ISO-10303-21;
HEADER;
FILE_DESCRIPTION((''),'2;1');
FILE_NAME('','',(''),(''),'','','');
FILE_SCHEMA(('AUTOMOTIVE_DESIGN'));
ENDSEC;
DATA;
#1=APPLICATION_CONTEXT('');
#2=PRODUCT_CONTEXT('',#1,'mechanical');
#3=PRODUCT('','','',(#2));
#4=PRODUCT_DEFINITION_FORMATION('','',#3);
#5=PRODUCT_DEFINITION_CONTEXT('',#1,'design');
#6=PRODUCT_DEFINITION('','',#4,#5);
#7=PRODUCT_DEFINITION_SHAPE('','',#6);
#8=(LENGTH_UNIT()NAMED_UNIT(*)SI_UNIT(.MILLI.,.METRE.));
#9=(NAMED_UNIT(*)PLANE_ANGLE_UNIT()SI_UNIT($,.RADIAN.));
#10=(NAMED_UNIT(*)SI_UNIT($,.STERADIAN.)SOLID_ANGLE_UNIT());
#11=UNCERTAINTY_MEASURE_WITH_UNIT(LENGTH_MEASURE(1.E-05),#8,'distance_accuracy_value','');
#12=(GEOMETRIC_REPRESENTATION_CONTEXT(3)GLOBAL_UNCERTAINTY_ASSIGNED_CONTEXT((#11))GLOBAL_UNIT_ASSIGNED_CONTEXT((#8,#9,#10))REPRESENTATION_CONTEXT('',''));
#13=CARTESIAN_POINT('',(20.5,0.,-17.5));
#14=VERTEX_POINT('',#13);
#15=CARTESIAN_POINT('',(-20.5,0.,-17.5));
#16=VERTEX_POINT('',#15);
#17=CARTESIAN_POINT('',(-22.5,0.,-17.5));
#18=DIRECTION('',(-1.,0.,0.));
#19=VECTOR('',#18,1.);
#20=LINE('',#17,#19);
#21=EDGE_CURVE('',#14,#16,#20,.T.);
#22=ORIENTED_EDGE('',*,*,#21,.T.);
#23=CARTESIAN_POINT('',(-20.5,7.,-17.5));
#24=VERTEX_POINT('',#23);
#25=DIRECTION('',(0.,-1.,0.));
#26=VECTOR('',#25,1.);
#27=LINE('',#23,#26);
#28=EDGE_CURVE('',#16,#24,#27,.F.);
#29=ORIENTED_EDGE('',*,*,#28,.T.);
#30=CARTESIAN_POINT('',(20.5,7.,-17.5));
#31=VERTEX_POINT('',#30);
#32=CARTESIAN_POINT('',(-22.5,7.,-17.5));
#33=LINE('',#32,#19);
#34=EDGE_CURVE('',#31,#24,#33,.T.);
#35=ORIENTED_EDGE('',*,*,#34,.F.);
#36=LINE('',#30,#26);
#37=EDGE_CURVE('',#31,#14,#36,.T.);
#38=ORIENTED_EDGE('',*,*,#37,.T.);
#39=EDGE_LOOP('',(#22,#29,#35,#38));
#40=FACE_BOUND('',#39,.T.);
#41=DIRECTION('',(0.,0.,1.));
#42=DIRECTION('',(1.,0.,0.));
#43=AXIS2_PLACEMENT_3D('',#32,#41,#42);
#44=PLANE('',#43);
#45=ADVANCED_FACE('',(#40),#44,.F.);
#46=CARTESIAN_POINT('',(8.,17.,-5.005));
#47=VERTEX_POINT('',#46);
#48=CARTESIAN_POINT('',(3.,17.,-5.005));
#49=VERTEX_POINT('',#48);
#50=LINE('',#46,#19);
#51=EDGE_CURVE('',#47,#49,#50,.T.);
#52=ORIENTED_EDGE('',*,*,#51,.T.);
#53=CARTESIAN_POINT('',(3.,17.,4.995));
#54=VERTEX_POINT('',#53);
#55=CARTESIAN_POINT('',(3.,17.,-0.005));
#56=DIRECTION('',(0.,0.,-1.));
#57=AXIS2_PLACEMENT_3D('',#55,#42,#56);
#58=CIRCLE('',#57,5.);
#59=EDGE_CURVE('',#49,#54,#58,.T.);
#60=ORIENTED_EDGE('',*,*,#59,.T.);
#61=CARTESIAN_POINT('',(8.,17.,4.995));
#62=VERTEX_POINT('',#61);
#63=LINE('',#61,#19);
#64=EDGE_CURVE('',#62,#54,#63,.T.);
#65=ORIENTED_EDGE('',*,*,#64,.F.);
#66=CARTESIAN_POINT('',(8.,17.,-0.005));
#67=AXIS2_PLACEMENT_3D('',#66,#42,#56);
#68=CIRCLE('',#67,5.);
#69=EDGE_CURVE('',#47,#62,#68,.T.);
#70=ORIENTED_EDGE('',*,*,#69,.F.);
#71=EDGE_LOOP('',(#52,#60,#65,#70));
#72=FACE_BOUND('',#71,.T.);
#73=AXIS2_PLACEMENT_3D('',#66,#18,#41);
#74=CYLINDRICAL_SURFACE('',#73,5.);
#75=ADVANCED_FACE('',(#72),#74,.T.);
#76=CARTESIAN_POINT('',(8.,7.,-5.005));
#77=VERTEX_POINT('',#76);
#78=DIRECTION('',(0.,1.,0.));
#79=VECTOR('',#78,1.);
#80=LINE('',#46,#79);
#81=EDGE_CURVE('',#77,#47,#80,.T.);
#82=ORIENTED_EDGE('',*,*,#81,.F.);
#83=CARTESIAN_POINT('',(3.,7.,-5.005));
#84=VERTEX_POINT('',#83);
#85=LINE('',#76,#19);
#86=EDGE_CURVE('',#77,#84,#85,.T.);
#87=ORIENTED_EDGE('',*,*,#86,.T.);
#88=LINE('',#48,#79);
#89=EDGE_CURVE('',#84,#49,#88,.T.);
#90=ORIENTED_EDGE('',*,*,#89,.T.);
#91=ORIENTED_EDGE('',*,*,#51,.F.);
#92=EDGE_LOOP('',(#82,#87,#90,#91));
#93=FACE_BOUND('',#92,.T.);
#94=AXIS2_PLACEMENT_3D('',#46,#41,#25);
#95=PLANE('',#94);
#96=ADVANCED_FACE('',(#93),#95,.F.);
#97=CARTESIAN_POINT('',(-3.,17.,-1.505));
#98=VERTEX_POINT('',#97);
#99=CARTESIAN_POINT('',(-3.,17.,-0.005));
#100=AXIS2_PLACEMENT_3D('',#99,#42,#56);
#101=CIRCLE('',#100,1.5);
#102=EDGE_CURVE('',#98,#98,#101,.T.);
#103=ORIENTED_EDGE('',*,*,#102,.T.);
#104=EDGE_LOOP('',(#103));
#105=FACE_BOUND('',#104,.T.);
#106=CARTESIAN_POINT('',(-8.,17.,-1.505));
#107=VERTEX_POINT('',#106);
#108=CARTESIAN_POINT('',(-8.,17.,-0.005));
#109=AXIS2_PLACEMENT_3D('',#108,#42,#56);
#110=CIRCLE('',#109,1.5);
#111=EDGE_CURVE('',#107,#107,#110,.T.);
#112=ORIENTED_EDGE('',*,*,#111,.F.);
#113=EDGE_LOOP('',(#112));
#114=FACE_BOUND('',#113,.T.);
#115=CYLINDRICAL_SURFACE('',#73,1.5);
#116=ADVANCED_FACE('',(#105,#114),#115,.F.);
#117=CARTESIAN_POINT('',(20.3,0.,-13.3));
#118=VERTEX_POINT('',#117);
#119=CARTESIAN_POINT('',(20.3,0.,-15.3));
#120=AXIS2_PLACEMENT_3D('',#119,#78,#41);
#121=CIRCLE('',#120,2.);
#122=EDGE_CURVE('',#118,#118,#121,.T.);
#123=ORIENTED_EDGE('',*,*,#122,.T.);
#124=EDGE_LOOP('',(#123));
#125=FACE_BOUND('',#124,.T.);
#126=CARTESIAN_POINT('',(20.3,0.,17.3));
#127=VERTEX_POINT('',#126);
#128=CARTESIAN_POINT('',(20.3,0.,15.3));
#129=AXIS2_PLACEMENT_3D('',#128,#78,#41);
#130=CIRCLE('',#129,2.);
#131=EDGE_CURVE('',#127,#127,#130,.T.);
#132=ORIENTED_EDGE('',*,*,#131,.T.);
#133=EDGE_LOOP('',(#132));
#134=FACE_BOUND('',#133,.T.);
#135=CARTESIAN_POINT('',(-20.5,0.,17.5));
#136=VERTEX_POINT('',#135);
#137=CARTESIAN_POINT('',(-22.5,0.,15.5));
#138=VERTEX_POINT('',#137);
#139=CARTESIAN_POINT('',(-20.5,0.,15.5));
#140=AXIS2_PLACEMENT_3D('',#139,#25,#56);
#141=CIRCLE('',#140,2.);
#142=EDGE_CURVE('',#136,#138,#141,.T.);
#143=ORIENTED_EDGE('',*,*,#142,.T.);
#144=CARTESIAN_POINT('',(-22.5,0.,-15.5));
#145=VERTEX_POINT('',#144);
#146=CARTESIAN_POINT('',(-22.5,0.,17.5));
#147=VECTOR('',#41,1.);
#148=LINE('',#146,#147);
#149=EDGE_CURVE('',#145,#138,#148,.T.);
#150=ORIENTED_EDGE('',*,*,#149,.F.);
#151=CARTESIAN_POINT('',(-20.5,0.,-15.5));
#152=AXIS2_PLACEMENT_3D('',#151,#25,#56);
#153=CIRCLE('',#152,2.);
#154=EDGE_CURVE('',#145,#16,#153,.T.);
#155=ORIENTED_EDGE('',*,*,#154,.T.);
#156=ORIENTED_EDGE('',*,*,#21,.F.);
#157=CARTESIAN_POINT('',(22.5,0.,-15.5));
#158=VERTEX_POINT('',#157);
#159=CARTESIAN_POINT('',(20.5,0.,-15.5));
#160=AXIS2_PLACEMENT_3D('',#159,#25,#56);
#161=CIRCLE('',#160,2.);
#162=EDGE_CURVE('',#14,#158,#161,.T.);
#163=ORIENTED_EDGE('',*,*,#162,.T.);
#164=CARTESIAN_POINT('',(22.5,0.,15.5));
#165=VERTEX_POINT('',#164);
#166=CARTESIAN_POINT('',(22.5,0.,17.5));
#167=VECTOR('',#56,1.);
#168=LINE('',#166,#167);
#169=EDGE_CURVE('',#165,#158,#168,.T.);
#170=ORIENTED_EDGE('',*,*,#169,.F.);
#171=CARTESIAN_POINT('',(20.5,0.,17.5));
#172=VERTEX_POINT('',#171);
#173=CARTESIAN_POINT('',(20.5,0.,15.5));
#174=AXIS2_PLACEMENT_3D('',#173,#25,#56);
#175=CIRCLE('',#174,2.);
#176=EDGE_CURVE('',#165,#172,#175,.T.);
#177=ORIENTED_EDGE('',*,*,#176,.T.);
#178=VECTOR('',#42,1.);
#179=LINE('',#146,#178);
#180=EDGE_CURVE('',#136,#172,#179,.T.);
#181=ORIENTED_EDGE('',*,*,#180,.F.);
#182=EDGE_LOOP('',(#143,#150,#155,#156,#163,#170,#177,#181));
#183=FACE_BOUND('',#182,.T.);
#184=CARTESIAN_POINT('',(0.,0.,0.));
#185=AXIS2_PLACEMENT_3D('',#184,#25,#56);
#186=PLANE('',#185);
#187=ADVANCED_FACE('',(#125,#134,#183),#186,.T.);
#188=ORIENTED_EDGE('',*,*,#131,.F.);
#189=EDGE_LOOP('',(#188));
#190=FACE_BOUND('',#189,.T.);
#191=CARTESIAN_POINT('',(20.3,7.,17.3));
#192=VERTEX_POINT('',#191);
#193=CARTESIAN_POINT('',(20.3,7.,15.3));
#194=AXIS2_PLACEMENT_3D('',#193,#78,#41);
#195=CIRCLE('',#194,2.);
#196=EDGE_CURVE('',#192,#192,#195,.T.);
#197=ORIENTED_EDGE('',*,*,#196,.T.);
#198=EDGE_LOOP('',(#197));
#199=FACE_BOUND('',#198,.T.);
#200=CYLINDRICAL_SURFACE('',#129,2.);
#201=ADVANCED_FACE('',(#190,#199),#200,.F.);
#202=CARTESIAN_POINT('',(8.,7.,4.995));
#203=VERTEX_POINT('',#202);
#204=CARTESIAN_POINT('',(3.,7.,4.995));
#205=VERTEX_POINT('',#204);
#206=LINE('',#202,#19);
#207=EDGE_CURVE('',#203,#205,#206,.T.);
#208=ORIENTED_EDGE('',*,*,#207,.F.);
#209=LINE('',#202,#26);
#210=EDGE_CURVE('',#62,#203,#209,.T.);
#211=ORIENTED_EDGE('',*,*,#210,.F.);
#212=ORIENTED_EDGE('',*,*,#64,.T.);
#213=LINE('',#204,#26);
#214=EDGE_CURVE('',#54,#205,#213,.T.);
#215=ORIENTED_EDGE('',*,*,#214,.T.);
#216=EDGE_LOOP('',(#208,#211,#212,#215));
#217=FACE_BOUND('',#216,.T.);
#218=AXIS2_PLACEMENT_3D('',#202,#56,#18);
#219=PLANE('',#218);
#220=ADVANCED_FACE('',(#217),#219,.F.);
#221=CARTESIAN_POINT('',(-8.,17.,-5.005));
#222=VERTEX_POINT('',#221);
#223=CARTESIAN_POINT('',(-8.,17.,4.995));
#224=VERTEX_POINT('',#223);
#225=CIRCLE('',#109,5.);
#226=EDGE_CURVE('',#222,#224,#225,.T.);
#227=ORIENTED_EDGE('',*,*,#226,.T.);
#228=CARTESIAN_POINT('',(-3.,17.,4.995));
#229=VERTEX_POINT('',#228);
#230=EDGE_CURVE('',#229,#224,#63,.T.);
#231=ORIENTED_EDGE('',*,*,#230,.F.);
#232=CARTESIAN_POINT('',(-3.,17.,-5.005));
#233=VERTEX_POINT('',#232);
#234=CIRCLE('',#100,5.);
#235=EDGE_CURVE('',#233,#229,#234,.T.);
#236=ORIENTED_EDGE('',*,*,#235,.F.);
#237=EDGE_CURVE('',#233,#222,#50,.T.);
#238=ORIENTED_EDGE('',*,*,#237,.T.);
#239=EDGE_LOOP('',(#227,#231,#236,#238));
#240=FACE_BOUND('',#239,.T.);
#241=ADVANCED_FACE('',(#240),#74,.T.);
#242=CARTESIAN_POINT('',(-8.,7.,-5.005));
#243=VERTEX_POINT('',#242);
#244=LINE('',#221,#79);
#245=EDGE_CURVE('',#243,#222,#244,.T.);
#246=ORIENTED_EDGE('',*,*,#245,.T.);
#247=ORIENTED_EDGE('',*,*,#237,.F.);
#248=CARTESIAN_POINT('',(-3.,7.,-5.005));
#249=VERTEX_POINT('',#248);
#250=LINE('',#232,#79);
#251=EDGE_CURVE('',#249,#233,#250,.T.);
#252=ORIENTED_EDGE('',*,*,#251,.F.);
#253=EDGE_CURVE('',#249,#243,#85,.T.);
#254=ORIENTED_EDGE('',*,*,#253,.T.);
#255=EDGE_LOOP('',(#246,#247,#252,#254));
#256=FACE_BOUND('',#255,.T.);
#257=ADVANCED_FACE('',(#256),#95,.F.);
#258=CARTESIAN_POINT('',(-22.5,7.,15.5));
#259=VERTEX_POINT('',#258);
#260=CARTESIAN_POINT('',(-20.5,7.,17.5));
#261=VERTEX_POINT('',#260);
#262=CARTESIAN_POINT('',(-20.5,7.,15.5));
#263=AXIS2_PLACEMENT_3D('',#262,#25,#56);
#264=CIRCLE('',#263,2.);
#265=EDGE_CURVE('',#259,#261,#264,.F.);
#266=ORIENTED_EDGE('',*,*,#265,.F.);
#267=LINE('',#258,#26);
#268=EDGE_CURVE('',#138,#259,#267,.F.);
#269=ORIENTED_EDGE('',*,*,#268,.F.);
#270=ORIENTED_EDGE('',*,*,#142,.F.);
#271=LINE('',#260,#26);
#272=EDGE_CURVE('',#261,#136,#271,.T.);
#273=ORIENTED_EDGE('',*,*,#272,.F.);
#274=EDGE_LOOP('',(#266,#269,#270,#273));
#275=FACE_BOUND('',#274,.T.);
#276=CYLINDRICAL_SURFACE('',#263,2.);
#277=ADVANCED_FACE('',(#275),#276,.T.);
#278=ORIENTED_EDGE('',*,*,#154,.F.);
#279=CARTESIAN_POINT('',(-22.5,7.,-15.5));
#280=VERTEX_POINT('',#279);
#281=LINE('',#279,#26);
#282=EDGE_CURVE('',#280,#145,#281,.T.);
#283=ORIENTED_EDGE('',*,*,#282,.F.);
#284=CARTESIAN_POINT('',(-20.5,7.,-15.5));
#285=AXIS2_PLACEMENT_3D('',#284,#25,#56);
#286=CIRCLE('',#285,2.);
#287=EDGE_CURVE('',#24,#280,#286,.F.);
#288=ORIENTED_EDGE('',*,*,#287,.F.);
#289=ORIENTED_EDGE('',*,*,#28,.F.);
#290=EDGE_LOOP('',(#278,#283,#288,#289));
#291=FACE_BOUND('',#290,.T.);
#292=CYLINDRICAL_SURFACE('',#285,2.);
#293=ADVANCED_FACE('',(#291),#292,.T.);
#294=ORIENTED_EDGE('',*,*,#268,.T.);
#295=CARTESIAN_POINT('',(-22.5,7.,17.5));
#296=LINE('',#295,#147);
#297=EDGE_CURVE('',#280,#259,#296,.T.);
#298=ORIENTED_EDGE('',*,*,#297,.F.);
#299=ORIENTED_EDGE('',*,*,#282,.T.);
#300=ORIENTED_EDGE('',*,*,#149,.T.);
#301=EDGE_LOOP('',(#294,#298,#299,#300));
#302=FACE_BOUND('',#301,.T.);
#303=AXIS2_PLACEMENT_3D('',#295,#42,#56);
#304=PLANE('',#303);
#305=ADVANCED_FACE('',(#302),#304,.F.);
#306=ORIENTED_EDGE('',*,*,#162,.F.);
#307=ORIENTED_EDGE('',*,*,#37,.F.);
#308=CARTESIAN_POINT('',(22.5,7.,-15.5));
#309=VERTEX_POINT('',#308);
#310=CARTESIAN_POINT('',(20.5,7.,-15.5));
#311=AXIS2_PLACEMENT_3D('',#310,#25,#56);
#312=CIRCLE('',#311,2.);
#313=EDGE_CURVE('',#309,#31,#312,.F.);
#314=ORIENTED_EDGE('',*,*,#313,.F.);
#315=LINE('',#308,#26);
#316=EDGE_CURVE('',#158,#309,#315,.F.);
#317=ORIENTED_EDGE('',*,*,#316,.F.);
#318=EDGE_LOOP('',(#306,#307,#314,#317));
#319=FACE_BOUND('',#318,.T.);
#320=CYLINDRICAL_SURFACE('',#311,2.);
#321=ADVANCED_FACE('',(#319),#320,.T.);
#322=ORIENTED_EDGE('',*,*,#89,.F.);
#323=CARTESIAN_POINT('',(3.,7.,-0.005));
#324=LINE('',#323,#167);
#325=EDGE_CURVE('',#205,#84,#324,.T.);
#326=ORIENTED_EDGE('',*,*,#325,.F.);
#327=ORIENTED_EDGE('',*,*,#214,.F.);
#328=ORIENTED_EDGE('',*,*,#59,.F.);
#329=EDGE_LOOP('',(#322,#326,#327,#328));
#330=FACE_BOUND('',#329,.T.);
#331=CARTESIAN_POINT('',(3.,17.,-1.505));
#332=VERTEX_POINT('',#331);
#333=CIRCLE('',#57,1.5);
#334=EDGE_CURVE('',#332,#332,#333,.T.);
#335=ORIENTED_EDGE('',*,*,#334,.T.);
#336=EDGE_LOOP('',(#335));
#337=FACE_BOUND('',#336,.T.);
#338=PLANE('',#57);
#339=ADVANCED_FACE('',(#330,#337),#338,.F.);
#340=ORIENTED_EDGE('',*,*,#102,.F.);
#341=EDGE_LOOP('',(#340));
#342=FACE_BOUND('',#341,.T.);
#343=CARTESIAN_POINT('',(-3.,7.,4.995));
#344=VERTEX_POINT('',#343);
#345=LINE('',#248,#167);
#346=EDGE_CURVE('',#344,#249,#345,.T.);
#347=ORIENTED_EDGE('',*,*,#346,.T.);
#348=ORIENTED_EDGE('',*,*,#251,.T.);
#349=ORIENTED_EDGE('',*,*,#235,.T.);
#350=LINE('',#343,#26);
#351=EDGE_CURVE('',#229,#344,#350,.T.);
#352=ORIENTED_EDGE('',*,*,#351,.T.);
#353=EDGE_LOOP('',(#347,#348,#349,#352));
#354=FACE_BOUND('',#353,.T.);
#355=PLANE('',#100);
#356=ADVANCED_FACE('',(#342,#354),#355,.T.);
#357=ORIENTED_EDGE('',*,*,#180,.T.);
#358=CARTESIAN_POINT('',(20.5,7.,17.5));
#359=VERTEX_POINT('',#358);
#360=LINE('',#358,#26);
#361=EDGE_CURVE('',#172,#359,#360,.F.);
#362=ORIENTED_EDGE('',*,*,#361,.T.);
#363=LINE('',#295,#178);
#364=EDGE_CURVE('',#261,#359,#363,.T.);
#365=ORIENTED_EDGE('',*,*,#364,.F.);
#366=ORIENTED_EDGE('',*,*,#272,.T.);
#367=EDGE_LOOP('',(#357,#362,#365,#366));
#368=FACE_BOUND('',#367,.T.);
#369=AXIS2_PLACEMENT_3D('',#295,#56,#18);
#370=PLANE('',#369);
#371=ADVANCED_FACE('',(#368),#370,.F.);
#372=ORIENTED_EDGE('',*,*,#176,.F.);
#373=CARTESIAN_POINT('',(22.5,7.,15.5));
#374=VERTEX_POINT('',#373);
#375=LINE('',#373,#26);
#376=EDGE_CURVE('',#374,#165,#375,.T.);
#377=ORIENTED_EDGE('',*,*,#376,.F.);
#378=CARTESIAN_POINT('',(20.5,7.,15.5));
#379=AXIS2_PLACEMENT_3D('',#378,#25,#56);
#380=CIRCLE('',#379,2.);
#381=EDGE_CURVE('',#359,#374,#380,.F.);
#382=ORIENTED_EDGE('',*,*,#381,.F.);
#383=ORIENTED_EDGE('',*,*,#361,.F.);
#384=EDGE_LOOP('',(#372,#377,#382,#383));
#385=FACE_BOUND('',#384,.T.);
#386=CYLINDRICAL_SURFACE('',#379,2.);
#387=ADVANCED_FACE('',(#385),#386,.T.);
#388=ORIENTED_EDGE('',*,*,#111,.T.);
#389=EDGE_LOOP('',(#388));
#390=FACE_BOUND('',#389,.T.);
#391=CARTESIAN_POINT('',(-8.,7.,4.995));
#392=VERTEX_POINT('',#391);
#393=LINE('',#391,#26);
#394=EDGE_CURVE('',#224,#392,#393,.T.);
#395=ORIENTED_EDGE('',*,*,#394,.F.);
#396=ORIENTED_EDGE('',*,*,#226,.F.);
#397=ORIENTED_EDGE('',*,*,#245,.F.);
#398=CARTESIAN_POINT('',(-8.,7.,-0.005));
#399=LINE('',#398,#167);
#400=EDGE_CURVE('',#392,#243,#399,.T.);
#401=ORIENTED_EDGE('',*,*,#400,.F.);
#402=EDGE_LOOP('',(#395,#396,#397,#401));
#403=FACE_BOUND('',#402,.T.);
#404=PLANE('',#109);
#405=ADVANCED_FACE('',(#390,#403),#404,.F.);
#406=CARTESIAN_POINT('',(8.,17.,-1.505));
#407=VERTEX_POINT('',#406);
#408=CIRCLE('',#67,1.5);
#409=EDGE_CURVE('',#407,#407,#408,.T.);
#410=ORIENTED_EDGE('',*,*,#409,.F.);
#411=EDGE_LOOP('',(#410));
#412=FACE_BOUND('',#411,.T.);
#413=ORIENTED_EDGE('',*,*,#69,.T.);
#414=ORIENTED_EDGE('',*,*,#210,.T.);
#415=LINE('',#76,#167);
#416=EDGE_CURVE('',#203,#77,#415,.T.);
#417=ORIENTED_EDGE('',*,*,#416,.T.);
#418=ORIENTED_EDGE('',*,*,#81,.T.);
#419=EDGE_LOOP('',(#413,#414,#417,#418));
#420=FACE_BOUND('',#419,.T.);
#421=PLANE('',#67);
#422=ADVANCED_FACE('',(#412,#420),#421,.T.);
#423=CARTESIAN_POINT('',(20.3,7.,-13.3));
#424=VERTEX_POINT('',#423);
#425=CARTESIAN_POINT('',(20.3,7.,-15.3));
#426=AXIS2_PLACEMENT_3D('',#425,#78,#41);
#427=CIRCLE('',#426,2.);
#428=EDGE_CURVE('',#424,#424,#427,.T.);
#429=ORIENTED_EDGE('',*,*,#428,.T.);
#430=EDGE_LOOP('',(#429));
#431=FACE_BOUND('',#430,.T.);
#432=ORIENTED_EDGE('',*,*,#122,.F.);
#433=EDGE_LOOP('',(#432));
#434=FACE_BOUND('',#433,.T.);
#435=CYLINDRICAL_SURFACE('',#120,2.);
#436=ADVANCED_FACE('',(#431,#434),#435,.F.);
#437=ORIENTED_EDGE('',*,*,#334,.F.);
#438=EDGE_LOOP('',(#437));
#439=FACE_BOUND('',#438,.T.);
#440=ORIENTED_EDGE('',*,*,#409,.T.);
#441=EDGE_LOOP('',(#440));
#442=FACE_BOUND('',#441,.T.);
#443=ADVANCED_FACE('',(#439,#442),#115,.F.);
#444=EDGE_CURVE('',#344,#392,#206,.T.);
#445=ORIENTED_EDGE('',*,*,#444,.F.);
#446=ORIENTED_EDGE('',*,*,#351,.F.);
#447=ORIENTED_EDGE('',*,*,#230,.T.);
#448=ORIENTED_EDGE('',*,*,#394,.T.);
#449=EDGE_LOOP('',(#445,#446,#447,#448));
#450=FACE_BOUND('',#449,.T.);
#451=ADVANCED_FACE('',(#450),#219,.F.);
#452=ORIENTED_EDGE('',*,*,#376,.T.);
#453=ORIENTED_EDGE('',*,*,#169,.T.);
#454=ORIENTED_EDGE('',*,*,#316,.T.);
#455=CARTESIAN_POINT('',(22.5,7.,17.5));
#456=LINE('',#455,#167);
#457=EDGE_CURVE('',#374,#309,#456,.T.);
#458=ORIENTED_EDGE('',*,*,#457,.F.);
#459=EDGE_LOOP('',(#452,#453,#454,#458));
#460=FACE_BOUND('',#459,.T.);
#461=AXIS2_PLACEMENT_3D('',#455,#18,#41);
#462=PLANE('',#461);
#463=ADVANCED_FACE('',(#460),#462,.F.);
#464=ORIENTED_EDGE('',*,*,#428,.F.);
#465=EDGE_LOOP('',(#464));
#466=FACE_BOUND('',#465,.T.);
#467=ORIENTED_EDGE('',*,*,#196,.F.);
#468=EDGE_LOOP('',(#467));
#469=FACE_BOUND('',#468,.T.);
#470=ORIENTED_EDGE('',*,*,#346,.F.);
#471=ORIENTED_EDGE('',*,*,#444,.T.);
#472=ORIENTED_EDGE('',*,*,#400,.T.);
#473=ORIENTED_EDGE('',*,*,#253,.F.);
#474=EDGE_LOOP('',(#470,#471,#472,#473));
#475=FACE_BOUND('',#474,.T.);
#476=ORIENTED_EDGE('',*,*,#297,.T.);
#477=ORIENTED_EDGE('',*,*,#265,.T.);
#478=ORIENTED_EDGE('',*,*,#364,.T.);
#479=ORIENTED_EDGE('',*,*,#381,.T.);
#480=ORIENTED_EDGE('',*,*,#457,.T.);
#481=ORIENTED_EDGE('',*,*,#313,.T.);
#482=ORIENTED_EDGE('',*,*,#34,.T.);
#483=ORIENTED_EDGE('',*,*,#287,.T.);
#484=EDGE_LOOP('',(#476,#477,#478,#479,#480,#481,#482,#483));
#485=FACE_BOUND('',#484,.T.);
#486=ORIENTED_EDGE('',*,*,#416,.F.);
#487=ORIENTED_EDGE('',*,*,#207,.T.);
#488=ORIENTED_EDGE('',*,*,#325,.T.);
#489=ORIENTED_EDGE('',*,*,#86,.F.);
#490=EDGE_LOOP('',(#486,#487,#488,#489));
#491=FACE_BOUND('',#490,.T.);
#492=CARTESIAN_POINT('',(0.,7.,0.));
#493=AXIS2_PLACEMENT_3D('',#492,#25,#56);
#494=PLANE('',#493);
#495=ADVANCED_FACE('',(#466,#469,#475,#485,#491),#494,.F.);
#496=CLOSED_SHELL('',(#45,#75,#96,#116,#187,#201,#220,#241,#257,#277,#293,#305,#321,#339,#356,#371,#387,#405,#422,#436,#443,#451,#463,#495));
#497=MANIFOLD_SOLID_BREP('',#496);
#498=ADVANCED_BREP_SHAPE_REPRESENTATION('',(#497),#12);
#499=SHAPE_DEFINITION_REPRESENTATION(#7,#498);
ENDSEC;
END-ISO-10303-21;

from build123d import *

# Parameters (mm, degrees)
SKETCH_1_W          = 45
SKETCH_1_H          = 35
EXTRUDE_1_DEPTH     = 7
SKETCH_2_R          = 2
CUT_EXTRUDE_1_DEPTH = 7
FILLET_1_R          = 2
SKETCH_3_R          = 1.5
EXTRUDE_2_DEPTH     = 8
SKETCH_3_2_R        = 1.5
CUT_EXTRUDE_2_DEPTH = 3


with BuildPart() as part:
    # 草图1 → 凸台-拉伸1 (new body)
    with BuildSketch(Plane(origin=(0, 0, 0), x_dir=(1, 0, 0), z_dir=(0, 1, 0))):
        Rectangle(SKETCH_1_W, SKETCH_1_H)
    extrude(amount=EXTRUDE_1_DEPTH)

    # 草图2 → 切除-拉伸1 (cut)
    with BuildSketch(Plane(origin=(0, 7, 0), x_dir=(1, 0, 0), z_dir=(0, 1, 0))):
        with Locations((20.3, 15.3)):
            Circle(SKETCH_2_R)
        with Locations((20.3, -15.3)):
            Circle(SKETCH_2_R)
    extrude(amount=-CUT_EXTRUDE_1_DEPTH, mode=Mode.SUBTRACT)

    # 圆角1
    fillet_1_edges = [part.edges().sort_by_distance(p)[0] for p in [
        (-22.5, 3.5, -17.5),
        (22.5, 3.5, -17.5),
        (-22.5, 3.5, 17.5),
        (22.5, 3.5, 17.5),
    ]]
    fillet(fillet_1_edges, radius=FILLET_1_R)

    # 草图3 → 凸台-拉伸2 (add, symmetric)
    with BuildSketch(Plane(origin=(0, 0, 0), x_dir=(0, 0, -1), z_dir=(1, 0, 0))):
        with BuildLine():
            Line((0.005, 7), (-4.995, 7))
            Line((-4.995, 7), (-4.995, 17))
            ThreePointArc((-4.995, 17), (0.005, 22), (5.005, 17))
            Line((5.005, 17), (5.005, 7))
            Line((5.005, 7), (0.005, 7))
        make_face()
        with Locations((0.005, 17)):
            Circle(SKETCH_3_R, mode=Mode.SUBTRACT)
    extrude(amount=EXTRUDE_2_DEPTH, both=True)

    # 草图3<2> → 切除-拉伸2 (cut, symmetric)
    with BuildSketch(Plane(origin=(0, 0, 0), x_dir=(0, 0, -1), z_dir=(1, 0, 0))):
        with BuildLine():
            Line((0.005, 7), (-4.995, 7))
            Line((-4.995, 7), (-4.995, 17))
            ThreePointArc((-4.995, 17), (0.005, 22), (5.005, 17))
            Line((5.005, 17), (5.005, 7))
            Line((5.005, 7), (0.005, 7))
        make_face()
        with Locations((0.005, 17)):
            Circle(SKETCH_3_2_R, mode=Mode.SUBTRACT)
    extrude(amount=CUT_EXTRUDE_2_DEPTH, both=True, mode=Mode.SUBTRACT)


solid = part.part
